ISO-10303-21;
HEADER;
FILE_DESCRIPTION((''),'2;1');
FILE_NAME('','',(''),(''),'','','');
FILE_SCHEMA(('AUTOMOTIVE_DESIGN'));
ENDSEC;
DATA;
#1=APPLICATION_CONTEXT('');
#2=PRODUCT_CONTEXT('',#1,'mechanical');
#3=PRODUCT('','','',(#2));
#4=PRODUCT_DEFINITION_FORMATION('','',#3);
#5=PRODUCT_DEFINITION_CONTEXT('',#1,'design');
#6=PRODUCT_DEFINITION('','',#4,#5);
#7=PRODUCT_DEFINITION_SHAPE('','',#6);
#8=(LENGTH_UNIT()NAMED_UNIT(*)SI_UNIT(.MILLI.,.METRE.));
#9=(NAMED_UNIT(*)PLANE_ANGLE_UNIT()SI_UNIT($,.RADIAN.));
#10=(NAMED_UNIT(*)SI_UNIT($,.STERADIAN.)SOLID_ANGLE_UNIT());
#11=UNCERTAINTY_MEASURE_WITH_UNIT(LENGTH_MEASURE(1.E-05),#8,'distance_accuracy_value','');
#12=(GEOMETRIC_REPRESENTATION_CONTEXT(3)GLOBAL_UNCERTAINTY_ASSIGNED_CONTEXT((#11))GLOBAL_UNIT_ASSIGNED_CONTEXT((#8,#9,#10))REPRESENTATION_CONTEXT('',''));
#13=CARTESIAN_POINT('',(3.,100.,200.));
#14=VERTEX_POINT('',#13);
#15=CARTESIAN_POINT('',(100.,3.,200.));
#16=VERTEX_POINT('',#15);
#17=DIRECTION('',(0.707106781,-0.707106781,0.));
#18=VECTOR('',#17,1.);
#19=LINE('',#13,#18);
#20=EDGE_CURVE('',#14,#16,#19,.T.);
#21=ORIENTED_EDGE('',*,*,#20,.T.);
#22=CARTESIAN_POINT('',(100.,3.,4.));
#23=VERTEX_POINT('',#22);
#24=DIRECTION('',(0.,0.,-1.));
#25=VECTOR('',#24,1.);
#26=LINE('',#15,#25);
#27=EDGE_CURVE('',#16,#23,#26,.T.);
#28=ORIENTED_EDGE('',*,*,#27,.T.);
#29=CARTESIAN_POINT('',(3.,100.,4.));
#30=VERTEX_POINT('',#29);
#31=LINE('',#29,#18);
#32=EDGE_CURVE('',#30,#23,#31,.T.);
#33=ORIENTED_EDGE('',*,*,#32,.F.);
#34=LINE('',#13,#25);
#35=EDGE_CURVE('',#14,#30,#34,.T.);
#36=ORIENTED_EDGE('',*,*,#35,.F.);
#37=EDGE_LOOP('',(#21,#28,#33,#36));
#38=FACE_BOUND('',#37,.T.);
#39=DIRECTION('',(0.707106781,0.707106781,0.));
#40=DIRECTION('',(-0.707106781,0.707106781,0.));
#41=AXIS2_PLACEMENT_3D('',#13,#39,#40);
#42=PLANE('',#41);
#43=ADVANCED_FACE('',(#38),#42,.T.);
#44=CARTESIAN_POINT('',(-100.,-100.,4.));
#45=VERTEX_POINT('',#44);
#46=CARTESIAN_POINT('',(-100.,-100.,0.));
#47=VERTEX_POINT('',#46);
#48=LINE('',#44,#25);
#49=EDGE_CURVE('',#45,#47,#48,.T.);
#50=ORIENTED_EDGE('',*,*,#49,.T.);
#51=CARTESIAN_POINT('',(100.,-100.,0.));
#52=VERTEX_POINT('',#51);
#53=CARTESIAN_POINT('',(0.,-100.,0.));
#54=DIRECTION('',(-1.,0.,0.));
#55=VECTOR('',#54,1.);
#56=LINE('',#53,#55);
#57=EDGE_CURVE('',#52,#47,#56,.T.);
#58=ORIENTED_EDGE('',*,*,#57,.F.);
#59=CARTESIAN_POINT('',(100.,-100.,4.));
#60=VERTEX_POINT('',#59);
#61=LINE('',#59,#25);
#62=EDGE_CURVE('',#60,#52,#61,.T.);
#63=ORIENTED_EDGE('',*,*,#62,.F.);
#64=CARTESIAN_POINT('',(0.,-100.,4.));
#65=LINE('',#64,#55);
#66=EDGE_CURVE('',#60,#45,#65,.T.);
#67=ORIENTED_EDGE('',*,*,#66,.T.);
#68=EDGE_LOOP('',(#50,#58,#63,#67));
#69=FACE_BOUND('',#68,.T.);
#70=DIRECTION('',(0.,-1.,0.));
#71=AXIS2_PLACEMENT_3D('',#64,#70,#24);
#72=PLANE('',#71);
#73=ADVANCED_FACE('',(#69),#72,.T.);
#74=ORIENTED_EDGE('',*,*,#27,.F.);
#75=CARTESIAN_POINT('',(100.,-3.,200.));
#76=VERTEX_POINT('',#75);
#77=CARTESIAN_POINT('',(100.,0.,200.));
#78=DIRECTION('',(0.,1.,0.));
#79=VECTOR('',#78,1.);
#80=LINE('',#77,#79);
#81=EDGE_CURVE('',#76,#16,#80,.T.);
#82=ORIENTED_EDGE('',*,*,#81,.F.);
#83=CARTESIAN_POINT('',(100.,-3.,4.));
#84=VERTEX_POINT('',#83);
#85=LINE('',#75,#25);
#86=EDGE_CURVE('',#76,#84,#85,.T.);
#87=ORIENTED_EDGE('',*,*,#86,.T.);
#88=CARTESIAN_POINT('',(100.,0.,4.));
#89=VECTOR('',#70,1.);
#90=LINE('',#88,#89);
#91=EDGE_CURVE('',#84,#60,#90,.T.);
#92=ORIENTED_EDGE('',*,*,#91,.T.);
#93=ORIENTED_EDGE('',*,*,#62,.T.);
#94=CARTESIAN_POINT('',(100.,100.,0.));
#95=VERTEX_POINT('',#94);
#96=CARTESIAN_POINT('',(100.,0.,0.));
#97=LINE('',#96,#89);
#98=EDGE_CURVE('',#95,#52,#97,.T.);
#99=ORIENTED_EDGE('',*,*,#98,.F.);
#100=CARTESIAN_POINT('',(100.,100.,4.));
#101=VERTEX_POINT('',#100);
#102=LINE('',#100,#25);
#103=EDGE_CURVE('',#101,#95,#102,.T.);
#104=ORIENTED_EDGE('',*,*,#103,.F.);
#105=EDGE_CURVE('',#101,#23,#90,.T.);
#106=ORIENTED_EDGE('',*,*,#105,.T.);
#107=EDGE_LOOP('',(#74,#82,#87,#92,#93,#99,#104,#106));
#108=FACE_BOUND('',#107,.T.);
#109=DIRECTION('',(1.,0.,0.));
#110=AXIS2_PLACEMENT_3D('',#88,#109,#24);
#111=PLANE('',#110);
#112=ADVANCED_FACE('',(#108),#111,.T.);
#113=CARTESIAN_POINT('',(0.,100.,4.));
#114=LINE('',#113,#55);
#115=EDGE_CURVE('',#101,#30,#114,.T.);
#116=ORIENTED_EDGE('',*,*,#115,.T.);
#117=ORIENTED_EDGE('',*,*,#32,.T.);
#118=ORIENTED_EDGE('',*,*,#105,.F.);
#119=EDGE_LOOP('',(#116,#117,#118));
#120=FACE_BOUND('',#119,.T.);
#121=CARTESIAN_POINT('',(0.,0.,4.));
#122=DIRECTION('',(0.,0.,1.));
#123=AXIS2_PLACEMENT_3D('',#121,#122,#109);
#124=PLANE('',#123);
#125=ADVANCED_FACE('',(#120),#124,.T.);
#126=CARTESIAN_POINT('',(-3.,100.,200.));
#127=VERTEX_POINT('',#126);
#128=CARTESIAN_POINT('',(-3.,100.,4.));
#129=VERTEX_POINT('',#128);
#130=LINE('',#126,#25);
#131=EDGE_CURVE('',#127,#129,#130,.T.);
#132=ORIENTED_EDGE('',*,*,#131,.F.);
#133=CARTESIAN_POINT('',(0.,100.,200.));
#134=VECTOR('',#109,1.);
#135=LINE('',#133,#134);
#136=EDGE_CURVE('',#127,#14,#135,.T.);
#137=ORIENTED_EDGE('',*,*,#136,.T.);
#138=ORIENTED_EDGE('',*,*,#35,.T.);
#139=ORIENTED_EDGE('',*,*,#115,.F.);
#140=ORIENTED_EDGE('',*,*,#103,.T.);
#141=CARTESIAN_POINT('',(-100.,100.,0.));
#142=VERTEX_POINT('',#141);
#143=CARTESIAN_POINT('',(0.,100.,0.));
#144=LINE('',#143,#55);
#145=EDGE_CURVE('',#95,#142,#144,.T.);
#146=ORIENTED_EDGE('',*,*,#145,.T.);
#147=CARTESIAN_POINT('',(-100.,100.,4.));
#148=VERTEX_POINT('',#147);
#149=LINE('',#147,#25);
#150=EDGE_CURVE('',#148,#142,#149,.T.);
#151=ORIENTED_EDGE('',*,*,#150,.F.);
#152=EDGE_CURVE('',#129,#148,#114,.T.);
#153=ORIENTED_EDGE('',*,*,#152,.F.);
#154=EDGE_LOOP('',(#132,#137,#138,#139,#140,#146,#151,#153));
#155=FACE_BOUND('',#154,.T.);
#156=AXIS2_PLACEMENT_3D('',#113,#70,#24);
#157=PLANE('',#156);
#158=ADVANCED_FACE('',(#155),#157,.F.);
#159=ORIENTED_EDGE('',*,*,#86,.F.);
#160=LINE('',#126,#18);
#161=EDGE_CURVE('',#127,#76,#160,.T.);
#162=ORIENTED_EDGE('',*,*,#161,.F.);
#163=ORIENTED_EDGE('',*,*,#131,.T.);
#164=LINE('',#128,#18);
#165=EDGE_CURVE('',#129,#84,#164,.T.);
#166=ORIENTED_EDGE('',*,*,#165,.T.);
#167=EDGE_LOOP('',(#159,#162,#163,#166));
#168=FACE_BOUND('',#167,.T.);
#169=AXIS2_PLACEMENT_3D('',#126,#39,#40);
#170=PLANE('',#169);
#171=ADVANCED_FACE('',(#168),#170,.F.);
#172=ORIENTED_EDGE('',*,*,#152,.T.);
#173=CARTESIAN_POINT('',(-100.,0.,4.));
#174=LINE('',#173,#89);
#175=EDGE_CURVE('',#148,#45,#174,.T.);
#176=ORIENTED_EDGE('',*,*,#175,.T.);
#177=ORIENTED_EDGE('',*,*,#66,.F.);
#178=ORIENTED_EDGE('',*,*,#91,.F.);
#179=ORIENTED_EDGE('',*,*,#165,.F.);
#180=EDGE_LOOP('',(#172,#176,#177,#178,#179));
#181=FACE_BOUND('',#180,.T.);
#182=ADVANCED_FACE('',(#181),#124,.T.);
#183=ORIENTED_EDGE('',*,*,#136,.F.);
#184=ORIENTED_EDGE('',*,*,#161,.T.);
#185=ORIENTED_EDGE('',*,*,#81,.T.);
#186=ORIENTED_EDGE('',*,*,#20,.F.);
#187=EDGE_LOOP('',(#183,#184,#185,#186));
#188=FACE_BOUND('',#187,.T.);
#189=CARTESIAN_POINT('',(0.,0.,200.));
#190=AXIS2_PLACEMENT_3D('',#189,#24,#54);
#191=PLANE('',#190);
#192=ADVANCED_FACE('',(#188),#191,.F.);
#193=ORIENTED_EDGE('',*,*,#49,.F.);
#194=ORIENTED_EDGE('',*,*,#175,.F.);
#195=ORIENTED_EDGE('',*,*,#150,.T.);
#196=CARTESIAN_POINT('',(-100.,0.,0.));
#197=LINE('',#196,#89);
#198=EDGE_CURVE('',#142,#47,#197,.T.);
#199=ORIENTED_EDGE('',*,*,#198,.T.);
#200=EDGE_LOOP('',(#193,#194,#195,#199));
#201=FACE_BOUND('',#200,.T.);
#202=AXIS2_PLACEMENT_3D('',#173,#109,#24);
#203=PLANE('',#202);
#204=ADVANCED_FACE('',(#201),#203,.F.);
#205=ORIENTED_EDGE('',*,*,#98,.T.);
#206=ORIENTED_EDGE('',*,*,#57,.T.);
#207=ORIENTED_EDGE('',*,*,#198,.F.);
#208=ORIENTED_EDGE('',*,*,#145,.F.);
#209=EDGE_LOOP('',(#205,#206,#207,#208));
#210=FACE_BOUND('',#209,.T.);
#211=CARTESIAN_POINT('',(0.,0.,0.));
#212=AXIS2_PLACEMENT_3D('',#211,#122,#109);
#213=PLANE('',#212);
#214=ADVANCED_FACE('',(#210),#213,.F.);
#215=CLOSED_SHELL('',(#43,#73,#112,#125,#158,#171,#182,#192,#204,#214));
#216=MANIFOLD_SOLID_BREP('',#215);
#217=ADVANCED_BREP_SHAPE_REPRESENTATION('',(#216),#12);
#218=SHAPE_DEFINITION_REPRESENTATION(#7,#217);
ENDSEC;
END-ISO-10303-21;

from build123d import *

# Parameters (mm, degrees)
SZKIC1_W                    = 100
SZKIC1_H                    = 100
DODANIE_WYCI_GNI_CIE1_DEPTH = 4
DODANIE_WYCI_GNI_CIE4_DEPTH = 196


with BuildPart() as part:
    # Szkic1 → Dodanie-wyciągnięcie1 (new body)
    with BuildSketch(Plane.XY):
        with Locations((-50, 50)):
            Rectangle(SZKIC1_W, SZKIC1_H)
        with Locations((50, 50)):
            Rectangle(SZKIC1_W, SZKIC1_H)
        with Locations((50, -50)):
            Rectangle(SZKIC1_W, SZKIC1_H)
        with Locations((-50, -50)):
            Rectangle(SZKIC1_W, SZKIC1_H)
    extrude(amount=DODANIE_WYCI_GNI_CIE1_DEPTH)

    # Szkic2 → Dodanie-wyciągnięcie4 (add)
    with BuildSketch(Plane.XY.offset(4)):
        Polygon((3, 100), (0, 100), (-3, 100), (100, -3), (100, 0), (100, 3), align=None)
    extrude(amount=DODANIE_WYCI_GNI_CIE4_DEPTH)


solid = part.part
